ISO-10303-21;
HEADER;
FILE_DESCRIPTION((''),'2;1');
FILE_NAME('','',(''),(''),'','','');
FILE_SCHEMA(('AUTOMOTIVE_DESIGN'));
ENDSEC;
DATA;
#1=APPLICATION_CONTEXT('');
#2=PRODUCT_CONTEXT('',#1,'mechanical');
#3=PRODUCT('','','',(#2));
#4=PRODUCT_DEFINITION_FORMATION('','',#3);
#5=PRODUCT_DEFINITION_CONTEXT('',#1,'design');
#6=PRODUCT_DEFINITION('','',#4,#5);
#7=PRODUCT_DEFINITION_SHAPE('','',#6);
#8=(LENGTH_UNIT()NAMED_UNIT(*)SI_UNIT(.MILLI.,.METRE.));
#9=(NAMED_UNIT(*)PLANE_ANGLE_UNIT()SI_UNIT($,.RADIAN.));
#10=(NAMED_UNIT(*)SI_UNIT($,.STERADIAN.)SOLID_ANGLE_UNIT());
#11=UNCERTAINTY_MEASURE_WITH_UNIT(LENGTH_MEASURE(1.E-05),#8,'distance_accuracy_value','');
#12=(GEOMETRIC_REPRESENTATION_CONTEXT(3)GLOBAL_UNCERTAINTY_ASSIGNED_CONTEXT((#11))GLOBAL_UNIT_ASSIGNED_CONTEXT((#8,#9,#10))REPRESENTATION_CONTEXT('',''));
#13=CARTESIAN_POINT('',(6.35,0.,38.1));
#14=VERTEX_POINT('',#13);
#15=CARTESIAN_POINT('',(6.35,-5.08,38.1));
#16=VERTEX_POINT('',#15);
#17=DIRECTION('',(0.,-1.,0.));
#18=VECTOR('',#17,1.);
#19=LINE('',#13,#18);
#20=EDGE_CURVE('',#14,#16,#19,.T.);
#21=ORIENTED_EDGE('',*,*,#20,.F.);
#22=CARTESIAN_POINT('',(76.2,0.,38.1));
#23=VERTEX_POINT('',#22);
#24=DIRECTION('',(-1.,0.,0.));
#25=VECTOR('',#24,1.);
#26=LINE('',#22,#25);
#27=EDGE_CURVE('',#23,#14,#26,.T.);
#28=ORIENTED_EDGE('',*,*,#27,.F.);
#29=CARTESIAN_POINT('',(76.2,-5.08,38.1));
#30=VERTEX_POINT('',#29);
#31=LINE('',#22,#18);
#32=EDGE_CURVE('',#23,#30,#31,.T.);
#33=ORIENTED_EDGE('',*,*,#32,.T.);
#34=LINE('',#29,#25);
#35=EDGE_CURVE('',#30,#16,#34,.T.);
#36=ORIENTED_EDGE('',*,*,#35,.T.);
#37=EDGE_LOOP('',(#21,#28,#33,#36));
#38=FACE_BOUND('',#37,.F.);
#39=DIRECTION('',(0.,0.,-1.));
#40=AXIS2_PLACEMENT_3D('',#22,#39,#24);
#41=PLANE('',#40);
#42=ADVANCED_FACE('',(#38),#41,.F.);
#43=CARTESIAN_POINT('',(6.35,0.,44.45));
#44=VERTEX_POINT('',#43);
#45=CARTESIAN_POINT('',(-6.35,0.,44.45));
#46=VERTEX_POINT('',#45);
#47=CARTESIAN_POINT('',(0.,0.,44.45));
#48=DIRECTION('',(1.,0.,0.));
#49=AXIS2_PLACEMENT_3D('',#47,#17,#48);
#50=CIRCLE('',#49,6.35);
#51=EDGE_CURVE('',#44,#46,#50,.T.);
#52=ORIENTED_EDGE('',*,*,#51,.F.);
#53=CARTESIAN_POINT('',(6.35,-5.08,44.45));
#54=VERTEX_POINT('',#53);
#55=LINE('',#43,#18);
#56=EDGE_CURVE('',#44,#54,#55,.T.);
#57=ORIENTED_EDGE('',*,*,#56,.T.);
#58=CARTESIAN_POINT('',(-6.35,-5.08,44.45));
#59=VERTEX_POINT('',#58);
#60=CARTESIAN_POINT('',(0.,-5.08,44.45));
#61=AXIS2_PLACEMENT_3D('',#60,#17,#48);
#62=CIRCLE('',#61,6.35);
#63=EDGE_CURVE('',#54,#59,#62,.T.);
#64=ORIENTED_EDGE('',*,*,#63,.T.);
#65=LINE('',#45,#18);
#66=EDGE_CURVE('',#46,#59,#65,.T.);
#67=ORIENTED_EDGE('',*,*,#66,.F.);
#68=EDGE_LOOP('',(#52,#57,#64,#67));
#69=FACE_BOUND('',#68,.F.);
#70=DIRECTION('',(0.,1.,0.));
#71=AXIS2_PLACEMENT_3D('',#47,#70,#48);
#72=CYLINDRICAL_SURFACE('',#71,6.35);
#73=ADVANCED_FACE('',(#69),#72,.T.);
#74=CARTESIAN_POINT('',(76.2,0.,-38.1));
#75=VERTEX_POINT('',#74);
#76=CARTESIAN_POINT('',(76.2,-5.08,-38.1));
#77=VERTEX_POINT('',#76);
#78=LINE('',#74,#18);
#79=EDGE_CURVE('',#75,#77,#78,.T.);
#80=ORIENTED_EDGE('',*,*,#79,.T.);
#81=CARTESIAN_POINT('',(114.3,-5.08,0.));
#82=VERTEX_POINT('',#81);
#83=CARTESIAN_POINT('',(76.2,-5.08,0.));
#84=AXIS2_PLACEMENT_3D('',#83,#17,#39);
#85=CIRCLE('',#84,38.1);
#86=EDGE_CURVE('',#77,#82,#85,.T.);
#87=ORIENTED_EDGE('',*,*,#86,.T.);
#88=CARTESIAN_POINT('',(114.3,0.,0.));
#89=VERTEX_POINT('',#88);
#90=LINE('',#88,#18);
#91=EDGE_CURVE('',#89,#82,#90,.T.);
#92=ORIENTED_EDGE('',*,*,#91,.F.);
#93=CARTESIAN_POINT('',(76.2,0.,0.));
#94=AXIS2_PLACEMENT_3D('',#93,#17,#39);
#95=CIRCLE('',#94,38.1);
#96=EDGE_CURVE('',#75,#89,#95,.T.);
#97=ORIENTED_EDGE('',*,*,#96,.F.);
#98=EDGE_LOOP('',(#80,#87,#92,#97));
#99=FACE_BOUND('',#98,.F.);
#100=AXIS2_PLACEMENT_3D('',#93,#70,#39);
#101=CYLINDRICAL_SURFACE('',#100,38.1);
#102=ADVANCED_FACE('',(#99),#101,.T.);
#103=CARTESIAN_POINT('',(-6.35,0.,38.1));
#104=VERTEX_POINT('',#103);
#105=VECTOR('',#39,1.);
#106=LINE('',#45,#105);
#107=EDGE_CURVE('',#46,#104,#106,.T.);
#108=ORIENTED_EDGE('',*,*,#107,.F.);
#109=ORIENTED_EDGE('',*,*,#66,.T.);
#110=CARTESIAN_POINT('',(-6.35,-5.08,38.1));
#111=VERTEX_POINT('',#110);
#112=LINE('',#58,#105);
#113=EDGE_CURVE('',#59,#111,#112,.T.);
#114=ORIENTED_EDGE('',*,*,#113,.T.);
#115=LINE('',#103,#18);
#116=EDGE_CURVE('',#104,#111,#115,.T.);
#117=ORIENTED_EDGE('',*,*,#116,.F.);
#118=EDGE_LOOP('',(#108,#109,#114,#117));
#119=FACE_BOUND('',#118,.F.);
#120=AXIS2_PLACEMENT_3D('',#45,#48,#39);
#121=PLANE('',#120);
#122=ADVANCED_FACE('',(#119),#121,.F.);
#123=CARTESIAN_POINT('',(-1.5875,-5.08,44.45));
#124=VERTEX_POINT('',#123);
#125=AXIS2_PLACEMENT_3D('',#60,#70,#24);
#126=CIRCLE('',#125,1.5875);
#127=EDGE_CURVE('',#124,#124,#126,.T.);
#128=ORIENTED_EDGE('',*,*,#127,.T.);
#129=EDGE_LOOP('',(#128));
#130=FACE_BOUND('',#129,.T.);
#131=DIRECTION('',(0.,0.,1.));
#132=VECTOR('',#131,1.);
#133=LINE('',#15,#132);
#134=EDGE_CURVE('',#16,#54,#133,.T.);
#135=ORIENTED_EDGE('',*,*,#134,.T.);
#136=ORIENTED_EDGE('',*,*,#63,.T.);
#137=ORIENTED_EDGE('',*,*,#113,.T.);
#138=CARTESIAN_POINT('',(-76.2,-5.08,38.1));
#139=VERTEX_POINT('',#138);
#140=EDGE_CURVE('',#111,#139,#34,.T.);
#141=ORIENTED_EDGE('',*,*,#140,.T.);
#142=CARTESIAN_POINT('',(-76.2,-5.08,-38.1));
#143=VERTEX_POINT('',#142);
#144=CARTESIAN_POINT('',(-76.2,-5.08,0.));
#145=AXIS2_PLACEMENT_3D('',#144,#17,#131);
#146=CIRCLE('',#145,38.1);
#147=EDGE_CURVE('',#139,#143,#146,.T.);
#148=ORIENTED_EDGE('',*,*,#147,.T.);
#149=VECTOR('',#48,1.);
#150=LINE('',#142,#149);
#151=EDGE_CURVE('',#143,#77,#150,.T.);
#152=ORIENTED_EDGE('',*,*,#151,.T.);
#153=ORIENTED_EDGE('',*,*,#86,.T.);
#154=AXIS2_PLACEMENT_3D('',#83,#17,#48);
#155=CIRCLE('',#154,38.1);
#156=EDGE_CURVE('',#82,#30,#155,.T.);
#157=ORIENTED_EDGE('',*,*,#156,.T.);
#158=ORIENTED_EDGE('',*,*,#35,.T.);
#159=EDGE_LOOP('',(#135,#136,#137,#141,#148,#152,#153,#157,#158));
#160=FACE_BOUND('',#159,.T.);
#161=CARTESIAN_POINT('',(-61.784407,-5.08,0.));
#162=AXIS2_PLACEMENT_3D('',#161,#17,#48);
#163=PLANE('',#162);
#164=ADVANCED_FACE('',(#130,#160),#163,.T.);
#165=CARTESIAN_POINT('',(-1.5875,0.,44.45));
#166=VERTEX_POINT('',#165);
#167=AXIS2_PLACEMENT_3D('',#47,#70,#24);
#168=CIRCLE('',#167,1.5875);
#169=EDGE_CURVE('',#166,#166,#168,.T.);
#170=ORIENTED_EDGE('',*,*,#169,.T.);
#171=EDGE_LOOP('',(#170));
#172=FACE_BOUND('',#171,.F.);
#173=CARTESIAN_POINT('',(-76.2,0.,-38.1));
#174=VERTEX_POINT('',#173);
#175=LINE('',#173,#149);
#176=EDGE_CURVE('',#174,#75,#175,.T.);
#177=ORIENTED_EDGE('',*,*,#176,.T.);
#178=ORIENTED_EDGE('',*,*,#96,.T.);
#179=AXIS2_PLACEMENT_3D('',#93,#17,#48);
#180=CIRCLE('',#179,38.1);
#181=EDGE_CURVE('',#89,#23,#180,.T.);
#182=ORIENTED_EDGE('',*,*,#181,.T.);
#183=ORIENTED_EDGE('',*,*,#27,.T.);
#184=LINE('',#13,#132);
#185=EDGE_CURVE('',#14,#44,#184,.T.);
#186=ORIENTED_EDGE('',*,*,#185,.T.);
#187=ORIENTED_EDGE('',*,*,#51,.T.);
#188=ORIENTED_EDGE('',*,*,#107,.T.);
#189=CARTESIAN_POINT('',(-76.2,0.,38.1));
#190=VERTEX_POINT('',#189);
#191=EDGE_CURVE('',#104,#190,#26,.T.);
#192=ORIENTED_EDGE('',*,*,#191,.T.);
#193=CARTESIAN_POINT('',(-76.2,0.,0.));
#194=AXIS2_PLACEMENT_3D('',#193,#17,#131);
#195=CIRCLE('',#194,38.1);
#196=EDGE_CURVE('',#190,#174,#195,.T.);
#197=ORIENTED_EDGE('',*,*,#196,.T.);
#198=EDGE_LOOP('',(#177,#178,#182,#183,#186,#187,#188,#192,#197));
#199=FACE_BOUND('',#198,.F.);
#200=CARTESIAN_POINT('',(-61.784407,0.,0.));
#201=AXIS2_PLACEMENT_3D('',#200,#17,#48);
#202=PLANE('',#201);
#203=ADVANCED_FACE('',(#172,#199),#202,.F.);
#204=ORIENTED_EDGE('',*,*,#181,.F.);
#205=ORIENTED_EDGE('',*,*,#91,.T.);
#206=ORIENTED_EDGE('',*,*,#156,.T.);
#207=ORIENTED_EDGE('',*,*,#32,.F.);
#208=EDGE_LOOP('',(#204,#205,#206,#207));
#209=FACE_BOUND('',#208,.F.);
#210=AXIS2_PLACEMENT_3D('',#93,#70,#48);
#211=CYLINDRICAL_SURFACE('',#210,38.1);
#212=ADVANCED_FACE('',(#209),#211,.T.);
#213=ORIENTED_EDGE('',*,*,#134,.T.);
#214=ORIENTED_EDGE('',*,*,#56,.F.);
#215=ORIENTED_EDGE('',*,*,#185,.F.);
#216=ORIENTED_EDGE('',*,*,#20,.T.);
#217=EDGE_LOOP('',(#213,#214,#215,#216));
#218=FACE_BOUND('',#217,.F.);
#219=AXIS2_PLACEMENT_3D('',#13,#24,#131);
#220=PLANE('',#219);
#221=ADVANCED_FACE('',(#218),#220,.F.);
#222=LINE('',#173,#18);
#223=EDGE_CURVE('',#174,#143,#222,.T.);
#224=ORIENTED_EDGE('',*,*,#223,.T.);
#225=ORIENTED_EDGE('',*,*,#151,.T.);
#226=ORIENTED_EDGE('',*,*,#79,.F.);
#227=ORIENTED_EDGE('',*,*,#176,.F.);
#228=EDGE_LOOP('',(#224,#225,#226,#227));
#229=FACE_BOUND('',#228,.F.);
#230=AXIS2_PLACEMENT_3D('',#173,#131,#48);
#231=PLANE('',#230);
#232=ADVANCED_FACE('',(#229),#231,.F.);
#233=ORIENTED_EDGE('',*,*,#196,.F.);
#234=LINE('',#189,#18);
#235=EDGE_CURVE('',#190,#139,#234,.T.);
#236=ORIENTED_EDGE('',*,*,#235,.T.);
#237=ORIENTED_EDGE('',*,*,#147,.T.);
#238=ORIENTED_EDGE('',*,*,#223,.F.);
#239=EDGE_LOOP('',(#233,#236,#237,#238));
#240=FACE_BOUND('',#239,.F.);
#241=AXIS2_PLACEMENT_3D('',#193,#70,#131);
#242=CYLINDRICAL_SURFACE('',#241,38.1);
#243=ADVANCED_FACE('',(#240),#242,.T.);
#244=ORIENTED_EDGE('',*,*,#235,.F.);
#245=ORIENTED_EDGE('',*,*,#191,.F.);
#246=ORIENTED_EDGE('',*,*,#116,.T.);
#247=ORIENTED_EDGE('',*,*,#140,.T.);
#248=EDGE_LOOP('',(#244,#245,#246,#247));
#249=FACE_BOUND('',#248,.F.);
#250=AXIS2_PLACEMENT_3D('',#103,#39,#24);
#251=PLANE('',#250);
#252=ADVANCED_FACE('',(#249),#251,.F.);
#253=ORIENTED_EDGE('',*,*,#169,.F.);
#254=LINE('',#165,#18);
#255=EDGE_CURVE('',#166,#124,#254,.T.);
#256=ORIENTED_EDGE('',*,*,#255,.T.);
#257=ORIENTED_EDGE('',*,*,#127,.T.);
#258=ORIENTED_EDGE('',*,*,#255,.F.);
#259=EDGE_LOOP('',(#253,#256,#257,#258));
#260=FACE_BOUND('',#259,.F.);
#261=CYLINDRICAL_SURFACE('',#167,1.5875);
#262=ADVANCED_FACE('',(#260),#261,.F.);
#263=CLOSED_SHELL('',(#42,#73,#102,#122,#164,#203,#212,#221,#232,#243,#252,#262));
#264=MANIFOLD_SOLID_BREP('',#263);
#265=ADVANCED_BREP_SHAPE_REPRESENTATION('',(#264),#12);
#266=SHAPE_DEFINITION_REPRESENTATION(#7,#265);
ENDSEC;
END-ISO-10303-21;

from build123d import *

# Parameters (mm, degrees)
F1_DEPTH = 5.08


with BuildPart() as f1:
    # F0 (on Front) → F1 (new body)
    with BuildSketch(Plane.XZ):
        with BuildLine():
            ThreePointArc((-38.1, 0), (-49.2592316368, 26.9407683632), (-76.2, 38.1))
            Line((-76.2, 38.1), (-76.2, -38.1))
            ThreePointArc((-76.2, -38.1), (-49.2592316368, -26.9407683632), (-38.1, 0))
        make_face()
        with BuildLine():
            Line((-6.35, 38.1), (-76.2, 38.1))
            ThreePointArc((-76.2, 38.1), (-49.2592316368, 26.9407683632), (-38.1, 0))
            ThreePointArc((-38.1, 0), (-49.2592316368, -26.9407683632), (-76.2, -38.1))
            Line((-76.2, -38.1), (76.2, -38.1))
            ThreePointArc((76.2, -38.1), (38.1, 0), (76.2, 38.1))
            Line((76.2, 38.1), (6.35, 38.1))
            Line((6.35, 38.1), (0, 38.1))
            Line((0, 38.1), (-6.35, 38.1))
        make_face()
        with BuildLine():
            Line((-76.2, -38.1), (-76.2, 38.1))
            ThreePointArc((-76.2, 38.1), (-114.3, 0), (-76.2, -38.1))
        make_face()
        with BuildLine():
            Line((-6.35, 44.45), (-6.35, 38.1))
            Line((-6.35, 38.1), (0, 38.1))
            ThreePointArc((0, 38.1), (-4.4901280605, 39.9598719395), (-6.35, 44.45))
        make_face()
        with BuildLine():
            ThreePointArc((6.35, 44.45), (4.4901280605, 39.9598719395), (0, 38.1))
            Line((0, 38.1), (6.35, 38.1))
            Line((6.35, 38.1), (6.35, 44.45))
        make_face()
        with BuildLine():
            ThreePointArc((-6.35, 44.45), (-4.4901280605, 39.9598719395), (0, 38.1))
            ThreePointArc((0, 38.1), (4.4901280605, 39.9598719395), (6.35, 44.45))
            Line((6.35, 44.45), (1.5875, 44.45))
            ThreePointArc((1.5875, 44.45), (0, 42.8625), (-1.5875, 44.45))
            Line((-1.5875, 44.45), (-6.35, 44.45))
        make_face()
        with BuildLine():
            ThreePointArc((6.35, 44.45), (0, 50.8), (-6.35, 44.45))
            Line((-6.35, 44.45), (-1.5875, 44.45))
            ThreePointArc((-1.5875, 44.45), (0, 46.0375), (1.5875, 44.45))
            Line((1.5875, 44.45), (6.35, 44.45))
        make_face()
        with BuildLine():
            ThreePointArc((76.2, 38.1), (38.1, 0), (76.2, -38.1))
            Line((76.2, -38.1), (76.2, 38.1))
        make_face()
        with BuildLine():
            Line((76.2, 38.1), (76.2, -38.1))
            ThreePointArc((76.2, -38.1), (103.1407683632, -26.9407683632), (114.3, 0))
            ThreePointArc((114.3, 0), (103.1407683632, 26.9407683632), (76.2, 38.1))
        make_face()
    extrude(amount=F1_DEPTH)


solid = f1.part
